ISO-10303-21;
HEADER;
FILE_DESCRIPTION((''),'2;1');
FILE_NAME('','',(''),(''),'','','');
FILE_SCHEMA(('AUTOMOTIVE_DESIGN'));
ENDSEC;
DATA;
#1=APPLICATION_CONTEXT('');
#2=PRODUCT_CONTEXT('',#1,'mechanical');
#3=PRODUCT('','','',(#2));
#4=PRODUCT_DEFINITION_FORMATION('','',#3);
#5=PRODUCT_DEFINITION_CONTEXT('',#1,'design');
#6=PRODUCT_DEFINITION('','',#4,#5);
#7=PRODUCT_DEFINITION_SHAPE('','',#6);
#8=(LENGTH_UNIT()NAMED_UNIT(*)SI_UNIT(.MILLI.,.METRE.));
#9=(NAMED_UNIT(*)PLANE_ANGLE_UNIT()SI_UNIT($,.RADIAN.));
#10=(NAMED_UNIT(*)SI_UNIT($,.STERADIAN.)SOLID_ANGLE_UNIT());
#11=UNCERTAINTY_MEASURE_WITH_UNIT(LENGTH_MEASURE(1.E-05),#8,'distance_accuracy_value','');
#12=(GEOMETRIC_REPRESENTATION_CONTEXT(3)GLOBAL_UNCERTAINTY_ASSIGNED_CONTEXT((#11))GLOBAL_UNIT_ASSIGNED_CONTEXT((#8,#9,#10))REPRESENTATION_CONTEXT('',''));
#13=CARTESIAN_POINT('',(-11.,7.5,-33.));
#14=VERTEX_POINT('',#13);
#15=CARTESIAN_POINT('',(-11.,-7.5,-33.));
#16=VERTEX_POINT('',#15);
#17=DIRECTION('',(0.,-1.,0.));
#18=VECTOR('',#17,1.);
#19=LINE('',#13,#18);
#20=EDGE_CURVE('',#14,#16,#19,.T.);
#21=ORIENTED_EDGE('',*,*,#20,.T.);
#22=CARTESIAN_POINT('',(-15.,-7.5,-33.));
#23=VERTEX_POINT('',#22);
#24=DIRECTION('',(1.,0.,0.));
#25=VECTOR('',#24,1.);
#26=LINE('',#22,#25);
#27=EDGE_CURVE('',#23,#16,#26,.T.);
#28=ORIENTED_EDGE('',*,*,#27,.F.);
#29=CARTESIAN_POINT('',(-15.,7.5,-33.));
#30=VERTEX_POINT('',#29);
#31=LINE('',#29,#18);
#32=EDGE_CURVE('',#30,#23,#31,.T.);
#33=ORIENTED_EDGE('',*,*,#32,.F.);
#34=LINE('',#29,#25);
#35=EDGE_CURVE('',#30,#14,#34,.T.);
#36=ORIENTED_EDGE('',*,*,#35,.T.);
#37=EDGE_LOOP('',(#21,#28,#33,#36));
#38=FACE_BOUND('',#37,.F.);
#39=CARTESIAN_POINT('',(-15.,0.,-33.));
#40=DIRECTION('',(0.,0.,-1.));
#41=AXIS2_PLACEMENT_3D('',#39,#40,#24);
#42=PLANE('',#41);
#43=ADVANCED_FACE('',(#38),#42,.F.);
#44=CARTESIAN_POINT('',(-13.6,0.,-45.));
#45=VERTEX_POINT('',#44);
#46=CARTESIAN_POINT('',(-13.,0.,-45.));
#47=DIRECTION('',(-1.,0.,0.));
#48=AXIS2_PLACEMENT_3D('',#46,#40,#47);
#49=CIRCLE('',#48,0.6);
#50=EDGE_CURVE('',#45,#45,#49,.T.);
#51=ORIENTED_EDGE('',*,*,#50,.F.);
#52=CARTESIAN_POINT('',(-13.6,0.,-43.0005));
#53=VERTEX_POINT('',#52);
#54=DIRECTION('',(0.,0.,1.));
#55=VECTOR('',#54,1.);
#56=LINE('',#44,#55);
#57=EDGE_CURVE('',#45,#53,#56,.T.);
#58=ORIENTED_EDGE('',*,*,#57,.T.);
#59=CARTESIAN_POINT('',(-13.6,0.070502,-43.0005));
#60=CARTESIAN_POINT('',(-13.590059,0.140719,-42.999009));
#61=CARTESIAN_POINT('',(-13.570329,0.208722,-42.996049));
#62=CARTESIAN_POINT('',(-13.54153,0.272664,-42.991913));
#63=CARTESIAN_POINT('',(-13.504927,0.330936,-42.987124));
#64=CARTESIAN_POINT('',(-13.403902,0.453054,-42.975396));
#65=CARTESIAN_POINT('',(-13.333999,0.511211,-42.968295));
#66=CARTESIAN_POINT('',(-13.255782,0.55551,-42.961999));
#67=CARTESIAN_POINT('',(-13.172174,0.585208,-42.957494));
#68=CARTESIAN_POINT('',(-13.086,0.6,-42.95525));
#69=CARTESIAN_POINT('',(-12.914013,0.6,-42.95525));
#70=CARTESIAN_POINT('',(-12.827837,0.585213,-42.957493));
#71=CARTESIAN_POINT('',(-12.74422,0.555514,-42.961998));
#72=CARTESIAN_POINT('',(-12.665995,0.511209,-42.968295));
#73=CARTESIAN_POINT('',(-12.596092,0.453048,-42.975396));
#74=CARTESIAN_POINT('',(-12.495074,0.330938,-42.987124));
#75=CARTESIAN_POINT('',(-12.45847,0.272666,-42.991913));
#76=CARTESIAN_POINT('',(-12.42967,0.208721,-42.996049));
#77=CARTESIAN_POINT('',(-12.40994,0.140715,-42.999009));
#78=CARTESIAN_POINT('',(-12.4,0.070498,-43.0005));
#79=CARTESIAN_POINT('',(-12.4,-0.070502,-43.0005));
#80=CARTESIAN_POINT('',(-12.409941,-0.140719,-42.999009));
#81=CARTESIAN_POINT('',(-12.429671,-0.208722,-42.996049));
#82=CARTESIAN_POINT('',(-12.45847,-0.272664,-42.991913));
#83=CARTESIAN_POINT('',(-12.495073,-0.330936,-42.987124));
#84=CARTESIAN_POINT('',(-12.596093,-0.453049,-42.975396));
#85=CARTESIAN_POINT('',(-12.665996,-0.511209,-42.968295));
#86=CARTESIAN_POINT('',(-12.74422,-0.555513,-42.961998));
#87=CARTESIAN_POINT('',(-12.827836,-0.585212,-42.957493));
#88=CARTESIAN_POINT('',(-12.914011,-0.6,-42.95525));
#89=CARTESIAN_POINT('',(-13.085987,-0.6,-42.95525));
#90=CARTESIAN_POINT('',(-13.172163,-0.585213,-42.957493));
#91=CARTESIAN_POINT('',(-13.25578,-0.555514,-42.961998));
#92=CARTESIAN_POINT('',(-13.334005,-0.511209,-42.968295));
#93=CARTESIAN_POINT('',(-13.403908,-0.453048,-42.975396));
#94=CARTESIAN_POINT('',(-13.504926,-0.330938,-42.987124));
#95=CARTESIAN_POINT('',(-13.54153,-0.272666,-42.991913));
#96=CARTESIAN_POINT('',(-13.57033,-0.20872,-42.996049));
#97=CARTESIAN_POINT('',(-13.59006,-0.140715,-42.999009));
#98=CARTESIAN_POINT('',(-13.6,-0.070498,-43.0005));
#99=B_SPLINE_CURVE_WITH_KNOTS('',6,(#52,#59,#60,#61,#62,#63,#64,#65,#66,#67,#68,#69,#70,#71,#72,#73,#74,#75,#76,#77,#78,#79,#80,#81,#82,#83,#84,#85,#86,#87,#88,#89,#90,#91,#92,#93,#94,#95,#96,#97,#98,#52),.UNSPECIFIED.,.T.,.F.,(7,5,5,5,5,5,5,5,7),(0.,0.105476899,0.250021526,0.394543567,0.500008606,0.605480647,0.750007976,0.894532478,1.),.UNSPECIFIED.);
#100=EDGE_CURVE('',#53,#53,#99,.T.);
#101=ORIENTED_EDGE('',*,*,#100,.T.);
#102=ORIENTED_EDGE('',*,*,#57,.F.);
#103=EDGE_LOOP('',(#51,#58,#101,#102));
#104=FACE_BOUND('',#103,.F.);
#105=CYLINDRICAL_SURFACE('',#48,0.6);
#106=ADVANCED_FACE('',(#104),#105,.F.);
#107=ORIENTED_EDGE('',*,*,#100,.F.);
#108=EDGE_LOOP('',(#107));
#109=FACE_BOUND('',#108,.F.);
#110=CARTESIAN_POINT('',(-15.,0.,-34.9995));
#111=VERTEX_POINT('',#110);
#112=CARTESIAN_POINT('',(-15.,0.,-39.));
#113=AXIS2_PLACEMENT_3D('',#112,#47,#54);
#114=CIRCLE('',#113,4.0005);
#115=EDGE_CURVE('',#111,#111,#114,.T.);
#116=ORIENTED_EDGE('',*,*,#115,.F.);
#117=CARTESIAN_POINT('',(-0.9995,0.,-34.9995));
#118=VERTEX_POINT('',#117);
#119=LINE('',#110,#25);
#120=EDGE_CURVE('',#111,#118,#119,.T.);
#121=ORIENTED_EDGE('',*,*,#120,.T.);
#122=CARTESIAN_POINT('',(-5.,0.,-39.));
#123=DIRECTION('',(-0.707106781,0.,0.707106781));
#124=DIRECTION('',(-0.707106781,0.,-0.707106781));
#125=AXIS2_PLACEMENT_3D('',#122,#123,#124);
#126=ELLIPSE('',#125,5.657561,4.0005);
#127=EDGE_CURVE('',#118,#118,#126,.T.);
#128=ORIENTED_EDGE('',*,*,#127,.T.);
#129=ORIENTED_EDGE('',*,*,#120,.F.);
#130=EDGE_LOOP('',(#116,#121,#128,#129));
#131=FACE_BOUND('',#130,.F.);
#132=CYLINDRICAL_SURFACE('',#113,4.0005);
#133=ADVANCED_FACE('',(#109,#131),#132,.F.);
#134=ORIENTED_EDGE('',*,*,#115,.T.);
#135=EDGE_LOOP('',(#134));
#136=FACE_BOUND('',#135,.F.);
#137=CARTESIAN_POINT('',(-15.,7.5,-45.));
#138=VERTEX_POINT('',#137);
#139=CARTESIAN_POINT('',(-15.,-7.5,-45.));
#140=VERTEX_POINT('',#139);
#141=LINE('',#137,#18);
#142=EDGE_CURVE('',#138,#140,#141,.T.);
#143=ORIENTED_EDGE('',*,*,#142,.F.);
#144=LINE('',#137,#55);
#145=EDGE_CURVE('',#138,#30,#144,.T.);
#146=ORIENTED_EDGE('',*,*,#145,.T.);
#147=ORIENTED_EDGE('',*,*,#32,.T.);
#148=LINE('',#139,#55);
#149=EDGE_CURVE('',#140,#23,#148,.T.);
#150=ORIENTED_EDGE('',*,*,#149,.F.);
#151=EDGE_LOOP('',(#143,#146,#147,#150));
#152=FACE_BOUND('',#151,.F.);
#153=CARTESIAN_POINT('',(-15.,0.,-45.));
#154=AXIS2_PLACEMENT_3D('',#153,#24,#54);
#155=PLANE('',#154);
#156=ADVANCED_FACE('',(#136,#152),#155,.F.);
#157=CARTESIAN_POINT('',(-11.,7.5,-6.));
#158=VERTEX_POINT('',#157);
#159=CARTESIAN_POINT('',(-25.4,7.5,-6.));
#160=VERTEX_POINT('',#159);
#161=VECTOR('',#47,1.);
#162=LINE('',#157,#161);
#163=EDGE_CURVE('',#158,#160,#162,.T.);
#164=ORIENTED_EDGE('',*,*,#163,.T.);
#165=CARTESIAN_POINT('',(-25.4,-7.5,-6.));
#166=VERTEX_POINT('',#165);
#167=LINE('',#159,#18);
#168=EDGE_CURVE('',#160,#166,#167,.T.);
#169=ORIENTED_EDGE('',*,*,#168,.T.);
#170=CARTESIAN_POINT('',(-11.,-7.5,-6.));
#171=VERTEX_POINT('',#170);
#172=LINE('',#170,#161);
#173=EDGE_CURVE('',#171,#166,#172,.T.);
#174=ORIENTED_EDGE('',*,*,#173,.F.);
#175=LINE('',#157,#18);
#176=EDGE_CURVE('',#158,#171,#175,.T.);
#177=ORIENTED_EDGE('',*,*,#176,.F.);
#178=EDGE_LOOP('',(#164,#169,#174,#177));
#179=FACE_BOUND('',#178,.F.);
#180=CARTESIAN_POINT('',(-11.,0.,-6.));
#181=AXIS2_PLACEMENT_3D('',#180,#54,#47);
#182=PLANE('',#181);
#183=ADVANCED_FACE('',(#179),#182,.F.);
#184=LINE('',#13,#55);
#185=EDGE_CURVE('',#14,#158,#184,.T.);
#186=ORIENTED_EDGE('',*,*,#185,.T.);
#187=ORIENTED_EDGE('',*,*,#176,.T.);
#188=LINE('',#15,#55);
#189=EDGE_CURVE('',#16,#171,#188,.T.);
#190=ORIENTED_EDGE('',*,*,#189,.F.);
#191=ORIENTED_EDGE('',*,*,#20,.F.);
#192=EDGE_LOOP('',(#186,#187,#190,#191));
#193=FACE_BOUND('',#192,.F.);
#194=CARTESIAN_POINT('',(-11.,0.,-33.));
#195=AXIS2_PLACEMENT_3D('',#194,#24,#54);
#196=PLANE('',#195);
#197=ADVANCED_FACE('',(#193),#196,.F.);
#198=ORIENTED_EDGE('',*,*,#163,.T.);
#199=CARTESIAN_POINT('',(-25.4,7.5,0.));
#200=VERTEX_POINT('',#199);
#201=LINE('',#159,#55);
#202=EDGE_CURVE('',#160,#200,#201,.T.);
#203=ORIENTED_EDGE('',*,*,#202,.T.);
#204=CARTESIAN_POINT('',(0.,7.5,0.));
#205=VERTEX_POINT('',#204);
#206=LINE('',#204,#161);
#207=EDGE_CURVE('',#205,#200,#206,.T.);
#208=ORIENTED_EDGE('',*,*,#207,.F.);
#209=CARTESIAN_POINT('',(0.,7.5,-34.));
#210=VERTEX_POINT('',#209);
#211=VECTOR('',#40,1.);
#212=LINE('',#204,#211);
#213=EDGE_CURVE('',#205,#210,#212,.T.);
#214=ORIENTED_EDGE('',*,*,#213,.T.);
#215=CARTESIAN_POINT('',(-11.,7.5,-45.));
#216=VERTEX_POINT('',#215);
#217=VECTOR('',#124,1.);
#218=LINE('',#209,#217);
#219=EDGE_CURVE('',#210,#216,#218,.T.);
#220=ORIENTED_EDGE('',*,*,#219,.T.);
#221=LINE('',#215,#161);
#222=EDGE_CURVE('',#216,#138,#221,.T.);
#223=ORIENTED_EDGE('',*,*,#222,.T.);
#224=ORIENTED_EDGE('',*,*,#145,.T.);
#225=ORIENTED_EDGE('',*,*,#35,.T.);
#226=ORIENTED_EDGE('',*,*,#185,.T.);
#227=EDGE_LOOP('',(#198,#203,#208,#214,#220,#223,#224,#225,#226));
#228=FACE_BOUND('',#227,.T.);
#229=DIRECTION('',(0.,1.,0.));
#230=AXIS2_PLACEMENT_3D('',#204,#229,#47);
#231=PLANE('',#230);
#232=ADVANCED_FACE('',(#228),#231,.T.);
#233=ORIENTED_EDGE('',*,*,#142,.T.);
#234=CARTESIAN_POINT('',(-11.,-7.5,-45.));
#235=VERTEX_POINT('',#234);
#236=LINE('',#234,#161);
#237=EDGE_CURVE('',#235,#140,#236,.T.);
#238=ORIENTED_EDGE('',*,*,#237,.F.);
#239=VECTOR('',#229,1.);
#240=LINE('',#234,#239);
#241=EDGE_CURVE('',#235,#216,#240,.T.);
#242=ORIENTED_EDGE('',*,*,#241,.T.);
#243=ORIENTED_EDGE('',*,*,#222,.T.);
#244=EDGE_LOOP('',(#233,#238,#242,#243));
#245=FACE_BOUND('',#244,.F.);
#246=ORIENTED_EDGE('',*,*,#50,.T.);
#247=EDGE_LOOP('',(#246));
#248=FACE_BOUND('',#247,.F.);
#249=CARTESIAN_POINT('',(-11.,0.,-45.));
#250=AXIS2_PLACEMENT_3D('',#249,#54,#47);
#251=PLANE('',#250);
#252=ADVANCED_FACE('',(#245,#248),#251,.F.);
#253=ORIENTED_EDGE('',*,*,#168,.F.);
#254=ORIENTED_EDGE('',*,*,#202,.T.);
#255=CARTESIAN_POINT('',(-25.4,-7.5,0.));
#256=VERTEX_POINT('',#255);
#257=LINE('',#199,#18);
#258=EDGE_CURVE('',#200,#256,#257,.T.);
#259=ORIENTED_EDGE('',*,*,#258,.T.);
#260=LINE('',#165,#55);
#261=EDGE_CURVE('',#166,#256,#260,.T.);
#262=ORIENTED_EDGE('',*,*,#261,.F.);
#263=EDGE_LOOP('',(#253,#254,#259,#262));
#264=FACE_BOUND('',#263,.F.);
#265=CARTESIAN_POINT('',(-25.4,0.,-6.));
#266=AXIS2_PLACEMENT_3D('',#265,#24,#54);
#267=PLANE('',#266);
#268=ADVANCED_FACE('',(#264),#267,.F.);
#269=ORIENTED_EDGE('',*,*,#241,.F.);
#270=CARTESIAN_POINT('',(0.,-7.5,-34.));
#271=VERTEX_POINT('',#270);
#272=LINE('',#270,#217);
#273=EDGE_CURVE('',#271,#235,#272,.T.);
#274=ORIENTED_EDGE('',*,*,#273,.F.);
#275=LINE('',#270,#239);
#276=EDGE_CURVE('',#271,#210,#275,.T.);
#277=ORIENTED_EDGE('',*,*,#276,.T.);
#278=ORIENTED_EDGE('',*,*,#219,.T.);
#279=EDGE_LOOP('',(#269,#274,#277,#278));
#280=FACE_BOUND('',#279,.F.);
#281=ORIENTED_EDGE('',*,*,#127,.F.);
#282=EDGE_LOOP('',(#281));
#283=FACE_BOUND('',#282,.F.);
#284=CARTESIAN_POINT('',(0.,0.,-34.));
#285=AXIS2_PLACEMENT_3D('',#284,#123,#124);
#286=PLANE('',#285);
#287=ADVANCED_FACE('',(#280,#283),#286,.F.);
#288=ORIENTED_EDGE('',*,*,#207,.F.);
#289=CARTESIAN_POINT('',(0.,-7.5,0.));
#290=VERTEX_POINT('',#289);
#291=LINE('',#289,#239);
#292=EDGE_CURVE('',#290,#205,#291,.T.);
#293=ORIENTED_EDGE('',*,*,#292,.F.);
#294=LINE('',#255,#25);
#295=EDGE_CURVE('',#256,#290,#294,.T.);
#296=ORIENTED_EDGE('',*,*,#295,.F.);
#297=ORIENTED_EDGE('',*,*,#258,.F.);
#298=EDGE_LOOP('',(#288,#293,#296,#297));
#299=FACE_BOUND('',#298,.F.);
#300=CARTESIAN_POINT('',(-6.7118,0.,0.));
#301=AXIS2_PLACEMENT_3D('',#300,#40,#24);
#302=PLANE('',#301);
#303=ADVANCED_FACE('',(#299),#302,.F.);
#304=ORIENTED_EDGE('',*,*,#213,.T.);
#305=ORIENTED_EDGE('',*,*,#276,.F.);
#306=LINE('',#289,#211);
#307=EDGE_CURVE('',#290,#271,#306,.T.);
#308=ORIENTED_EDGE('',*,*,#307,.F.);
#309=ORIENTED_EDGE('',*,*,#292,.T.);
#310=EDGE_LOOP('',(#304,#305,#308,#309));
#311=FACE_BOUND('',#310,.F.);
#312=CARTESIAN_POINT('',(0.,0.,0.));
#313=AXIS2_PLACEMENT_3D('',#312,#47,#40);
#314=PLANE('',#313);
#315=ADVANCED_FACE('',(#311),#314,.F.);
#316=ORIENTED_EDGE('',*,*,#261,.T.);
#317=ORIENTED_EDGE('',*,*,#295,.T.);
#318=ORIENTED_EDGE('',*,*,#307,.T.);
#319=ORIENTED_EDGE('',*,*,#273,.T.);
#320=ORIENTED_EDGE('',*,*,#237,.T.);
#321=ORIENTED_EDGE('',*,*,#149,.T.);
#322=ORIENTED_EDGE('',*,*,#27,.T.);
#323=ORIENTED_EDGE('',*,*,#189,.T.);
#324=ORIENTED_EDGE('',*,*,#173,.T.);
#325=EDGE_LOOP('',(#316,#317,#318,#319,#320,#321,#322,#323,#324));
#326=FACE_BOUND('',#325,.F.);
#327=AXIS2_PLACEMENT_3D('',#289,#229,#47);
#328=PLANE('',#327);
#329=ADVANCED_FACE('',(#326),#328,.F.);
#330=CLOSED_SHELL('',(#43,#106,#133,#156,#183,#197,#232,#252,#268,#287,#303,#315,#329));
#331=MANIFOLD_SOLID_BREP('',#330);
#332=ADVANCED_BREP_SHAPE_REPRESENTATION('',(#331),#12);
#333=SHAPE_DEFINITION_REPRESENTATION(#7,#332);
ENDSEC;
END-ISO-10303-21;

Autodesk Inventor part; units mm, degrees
ref_plane "YZ Plane" through (0, 0, 0) normal (1, 0, 0) x (0, 1, 0)
ref_plane "XZ Plane" through (0, 0, 0) normal (0, 1, 0) x (-1, 0, 0)
ref_plane "XY Plane" through (0, 0, 0) normal (0, 0, 1) x (1, 0, 0)
sketch "Sketch1" plane through (0, 0, 0) normal (0, 1, 0) x (-1, 0, 0)
  line L0 (0, 0) -> (0, -34)
  line L1 (0, -34) -> (11, -45)
  line L2 (11, -45) -> (15, -45)
  line L3 (15, -45) -> (15, -33)
  line L4 (6.7118, 0) -> (0, 0)
  line L5 (15, -33) -> (11, -33)
  line L6 (11, -33) -> (11, -6)
  line L7 (11, -6) -> (25.4, -6)
  line L8 (25.4, -6) -> (25.4, 0)
  line L9 (25.4, 0) -> (6.7118, 0)
  dimension "d0" = 135
  dimension "d1" = 15
  dimension "d2" = 4
  dimension "d13" = 4
  dimension "d14" = 25.4
  dimension "d15" = 6
  dimension "d16" = 12
  dimension "d17" = 45
extrude "Extrusion1" add sketch "Sketch1" along normal mid plane 15
sketch "Sketch2" plane through (-15, -7.5, 0) normal (-1, 0, 0) x (0, 0, 1)
  line L0 (-45, 0) -> (-45, 15) projected
  circle A0 centre (-39, 7.5) radius 4.0005
  point P0 (0, 7.5)
  point P1 (-45, 7.5)
  dimension "d6" = 6
  dimension "d7" = 8.001
extrude "Extrusion2" cut sketch "Sketch2" against normal through all
sketch "Sketch3" plane through (-11, 7.5, -45) normal (0, 0, -1) x (-1, 0, 0)
  line L0 (4, -15) -> (4, 0) projected
  line L1 (4, -15) -> (0, -15) projected
  circle A0 centre (2, -7.5) radius 0.6
  point P0 (-11, -7.5)
  point P1 (2, -15)
  point P2 (4, -7.5)
  dimension "d10" = 1.2
extrude "Extrusion3" cut sketch "Sketch3" against normal up to next
properties part number "focus mount"
